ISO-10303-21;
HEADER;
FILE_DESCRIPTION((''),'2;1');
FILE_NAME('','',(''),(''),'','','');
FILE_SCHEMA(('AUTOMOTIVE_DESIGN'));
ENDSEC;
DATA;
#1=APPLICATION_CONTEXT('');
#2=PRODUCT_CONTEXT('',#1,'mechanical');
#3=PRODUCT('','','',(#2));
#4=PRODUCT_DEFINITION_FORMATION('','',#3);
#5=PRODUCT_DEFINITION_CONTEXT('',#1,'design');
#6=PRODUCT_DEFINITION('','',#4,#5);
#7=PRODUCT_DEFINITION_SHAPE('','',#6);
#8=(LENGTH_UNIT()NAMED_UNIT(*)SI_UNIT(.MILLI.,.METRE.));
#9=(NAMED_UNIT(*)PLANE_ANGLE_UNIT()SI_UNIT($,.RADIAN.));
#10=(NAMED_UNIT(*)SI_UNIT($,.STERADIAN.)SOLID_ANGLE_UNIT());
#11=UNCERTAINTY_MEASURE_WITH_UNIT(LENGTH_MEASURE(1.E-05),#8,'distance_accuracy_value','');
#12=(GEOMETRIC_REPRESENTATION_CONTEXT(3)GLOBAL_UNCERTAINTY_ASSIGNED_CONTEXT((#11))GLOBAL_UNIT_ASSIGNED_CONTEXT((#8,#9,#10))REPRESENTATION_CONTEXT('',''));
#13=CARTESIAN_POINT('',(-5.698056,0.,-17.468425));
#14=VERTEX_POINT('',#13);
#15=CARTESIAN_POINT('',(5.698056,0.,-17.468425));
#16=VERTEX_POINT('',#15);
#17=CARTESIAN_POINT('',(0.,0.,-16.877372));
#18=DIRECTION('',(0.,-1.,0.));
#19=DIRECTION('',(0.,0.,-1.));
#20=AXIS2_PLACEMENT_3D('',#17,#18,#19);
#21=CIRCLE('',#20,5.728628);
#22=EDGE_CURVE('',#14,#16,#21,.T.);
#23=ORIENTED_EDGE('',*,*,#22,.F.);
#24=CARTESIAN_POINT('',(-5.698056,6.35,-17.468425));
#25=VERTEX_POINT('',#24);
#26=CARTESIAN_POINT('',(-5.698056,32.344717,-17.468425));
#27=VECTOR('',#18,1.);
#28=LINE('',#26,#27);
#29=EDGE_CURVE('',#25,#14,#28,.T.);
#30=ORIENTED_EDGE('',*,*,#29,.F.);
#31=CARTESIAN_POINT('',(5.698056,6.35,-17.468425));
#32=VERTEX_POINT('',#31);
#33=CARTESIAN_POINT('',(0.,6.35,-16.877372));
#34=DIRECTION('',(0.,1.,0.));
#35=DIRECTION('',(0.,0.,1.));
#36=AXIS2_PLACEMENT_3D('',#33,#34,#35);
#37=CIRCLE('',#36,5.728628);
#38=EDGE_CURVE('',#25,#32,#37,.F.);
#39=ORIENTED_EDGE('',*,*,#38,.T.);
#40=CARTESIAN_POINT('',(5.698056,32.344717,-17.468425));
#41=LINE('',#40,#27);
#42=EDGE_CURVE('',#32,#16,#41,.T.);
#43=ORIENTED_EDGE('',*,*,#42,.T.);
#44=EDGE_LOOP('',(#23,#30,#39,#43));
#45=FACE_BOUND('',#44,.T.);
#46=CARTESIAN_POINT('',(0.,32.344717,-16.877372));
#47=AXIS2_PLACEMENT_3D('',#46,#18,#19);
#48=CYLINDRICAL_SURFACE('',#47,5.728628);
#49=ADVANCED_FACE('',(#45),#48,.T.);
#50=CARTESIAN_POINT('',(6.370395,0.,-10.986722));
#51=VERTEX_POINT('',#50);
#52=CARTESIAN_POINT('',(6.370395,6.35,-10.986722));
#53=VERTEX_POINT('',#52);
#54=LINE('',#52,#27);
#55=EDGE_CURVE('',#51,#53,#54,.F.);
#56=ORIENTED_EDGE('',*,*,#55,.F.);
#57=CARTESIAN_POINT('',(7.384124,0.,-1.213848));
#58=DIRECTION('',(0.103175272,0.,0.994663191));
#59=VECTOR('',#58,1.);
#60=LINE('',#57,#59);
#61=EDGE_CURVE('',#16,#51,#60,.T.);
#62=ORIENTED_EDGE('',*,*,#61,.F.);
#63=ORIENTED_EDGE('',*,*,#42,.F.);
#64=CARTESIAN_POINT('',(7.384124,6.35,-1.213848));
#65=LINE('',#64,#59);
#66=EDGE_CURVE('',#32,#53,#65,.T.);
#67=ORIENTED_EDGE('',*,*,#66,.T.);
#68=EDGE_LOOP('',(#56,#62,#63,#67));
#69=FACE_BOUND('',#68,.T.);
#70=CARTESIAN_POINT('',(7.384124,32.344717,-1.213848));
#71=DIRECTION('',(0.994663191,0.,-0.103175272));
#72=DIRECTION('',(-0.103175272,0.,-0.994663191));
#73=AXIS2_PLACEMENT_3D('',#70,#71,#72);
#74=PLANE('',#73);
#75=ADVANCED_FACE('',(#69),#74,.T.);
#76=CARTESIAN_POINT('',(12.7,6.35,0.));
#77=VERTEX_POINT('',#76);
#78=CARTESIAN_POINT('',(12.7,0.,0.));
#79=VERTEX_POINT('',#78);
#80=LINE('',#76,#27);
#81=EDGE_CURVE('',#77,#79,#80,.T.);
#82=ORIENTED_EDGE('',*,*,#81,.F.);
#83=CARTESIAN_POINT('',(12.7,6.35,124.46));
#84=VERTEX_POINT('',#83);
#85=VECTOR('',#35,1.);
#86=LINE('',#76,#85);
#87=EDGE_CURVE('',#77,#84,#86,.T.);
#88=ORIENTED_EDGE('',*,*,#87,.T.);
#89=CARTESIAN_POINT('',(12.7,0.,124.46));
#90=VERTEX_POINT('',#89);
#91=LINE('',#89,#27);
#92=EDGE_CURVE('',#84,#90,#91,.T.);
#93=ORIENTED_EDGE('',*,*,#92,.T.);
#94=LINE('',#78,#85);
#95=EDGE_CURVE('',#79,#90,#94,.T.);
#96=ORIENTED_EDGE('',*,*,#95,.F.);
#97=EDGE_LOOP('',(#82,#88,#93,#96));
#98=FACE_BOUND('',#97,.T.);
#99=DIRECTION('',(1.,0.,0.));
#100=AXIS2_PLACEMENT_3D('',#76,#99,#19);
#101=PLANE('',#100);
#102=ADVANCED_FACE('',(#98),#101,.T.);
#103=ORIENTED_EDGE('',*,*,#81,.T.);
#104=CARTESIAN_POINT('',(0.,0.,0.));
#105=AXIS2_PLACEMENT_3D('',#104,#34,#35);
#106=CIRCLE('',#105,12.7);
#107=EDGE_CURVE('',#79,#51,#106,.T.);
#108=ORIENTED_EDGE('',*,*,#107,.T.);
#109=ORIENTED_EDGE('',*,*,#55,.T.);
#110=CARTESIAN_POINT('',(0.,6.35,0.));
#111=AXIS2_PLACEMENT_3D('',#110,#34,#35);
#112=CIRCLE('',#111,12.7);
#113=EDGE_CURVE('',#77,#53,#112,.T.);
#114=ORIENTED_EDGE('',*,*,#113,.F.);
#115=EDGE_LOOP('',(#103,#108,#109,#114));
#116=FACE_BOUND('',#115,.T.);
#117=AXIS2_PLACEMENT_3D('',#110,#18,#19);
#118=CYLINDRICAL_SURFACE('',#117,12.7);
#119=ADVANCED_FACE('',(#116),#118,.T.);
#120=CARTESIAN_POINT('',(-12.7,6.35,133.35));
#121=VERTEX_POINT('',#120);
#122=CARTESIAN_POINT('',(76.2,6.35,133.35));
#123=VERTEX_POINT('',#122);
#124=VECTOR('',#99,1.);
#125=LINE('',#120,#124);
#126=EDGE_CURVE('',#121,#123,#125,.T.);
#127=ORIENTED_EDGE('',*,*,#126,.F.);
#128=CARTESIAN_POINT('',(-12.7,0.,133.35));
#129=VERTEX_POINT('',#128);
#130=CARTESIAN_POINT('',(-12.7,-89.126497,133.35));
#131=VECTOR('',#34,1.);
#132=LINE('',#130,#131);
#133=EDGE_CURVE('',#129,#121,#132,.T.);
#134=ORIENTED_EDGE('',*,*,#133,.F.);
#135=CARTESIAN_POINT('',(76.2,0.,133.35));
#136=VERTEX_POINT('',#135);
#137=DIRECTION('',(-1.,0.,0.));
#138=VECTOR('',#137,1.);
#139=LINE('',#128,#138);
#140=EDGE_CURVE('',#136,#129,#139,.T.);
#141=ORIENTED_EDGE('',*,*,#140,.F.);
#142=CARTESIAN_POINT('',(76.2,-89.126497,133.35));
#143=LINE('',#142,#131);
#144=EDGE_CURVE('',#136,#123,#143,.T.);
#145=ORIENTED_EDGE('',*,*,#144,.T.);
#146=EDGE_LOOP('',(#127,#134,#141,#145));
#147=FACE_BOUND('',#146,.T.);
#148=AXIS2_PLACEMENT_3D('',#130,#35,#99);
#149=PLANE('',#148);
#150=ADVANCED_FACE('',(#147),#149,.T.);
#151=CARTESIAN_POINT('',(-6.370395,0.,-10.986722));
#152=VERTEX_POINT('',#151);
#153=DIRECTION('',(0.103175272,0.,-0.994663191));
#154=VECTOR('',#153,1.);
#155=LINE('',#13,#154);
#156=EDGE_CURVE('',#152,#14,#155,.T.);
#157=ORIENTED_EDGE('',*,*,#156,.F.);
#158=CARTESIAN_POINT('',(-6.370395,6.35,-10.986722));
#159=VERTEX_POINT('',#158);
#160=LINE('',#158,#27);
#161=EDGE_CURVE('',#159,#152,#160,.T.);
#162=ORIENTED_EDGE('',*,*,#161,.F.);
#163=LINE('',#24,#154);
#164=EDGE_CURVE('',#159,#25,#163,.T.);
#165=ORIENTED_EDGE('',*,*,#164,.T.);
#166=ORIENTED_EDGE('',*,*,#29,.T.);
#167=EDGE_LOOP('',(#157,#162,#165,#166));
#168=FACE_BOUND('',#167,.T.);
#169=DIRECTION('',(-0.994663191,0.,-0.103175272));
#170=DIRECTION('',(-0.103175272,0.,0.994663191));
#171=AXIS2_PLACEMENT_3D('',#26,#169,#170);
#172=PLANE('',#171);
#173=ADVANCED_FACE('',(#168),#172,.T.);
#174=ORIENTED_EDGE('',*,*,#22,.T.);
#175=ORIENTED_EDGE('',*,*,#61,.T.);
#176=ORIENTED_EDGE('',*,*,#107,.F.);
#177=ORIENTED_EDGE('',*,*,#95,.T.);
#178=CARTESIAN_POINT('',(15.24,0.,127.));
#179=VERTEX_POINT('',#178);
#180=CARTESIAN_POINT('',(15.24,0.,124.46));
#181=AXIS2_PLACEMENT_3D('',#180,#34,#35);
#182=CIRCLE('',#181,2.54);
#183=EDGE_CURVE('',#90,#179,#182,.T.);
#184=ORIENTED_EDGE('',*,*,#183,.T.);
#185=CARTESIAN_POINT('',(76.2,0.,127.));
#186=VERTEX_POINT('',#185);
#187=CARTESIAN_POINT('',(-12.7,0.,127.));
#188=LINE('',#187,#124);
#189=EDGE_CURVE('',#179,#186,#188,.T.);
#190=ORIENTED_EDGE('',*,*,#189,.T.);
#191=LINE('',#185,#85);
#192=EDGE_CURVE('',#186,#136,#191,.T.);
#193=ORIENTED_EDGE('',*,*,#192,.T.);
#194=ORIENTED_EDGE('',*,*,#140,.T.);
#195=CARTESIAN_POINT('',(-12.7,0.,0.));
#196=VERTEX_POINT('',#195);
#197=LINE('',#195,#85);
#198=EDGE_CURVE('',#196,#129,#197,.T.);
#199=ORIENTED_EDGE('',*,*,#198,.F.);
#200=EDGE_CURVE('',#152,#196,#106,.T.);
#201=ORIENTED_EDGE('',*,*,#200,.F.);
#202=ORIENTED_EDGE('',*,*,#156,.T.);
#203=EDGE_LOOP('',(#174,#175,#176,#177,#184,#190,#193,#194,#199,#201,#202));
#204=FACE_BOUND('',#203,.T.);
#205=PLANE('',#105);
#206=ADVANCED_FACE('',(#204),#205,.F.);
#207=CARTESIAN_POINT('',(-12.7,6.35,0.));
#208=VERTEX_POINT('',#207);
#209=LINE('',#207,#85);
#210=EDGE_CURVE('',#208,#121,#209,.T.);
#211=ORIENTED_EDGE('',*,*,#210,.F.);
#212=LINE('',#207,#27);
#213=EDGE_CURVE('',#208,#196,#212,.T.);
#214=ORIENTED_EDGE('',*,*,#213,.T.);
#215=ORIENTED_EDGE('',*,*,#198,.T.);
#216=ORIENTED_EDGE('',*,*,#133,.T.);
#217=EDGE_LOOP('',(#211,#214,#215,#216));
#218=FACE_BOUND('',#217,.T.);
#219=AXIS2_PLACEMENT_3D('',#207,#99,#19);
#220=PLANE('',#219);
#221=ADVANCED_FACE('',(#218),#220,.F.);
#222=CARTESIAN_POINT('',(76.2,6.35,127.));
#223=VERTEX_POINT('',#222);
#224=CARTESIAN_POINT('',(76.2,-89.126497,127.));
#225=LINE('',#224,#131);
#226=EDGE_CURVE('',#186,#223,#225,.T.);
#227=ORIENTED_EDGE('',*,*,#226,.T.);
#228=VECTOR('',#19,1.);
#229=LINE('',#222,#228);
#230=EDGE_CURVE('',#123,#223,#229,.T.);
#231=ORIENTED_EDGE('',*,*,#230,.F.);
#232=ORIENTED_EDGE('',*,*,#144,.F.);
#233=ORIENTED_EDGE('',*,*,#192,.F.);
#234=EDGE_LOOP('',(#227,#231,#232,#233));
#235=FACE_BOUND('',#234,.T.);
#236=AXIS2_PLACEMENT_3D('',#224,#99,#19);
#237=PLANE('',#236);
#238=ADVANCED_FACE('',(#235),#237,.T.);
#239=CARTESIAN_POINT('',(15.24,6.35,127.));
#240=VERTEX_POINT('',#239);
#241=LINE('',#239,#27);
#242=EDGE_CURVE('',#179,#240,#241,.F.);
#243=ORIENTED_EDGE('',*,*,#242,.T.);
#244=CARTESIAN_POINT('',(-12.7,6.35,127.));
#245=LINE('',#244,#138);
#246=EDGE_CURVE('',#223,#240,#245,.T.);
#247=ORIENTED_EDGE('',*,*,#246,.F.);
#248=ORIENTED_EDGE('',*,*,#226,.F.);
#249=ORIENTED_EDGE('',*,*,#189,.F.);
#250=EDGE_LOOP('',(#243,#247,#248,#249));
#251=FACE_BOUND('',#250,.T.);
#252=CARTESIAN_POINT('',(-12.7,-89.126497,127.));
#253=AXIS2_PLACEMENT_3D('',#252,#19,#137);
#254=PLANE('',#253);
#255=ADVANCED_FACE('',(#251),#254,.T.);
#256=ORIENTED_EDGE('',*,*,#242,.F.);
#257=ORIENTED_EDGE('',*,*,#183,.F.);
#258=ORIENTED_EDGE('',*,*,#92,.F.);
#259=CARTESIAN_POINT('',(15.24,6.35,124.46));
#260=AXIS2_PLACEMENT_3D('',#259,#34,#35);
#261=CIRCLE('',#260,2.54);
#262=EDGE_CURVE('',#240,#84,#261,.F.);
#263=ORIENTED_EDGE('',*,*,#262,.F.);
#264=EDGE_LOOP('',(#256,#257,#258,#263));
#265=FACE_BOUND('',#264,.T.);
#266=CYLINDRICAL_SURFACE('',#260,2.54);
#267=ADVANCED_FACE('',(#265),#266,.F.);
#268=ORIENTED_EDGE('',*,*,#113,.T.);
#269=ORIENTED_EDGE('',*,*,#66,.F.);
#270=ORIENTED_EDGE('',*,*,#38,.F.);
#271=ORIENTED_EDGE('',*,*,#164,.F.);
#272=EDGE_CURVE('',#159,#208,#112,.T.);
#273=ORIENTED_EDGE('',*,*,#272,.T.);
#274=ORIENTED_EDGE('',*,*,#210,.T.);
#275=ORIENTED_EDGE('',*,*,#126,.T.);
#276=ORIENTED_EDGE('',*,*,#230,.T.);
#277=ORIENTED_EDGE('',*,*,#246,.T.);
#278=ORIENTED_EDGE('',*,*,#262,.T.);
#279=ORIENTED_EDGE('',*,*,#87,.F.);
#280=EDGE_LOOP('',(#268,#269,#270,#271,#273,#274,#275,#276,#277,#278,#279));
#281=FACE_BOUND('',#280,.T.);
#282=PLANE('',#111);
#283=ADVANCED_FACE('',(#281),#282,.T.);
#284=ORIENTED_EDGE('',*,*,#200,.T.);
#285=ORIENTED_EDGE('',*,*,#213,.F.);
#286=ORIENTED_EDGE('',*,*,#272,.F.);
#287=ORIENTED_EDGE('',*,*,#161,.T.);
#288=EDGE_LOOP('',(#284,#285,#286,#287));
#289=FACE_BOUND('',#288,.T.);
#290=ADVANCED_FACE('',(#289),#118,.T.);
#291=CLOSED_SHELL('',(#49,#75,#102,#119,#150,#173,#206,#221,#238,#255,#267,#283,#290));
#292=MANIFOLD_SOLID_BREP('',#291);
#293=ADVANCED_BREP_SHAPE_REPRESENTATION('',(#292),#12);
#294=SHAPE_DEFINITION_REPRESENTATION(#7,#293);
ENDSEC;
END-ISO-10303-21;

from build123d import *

# Parameters (mm, degrees)
BOSS_EXTRUDE1_DEPTH = 6.35
SKETCH2_W           = 88.9
SKETCH2_H           = 6.35
BOSS_EXTRUDE2_DEPTH = 6.35
FILLET1_R           = 2.54
BOSS_EXTRUDE3_DEPTH = 6.35


with BuildPart() as part:
    # Sketch1 → Boss-Extrude1 (new body)
    with BuildSketch(Plane(origin=(0, 0, 0), x_dir=(1, 0, 0), z_dir=(0, 1, 0))):
        with BuildLine():
            ThreePointArc((12.7, 0), (0, -12.7), (-12.7, 0))
            Line((-12.7, 0), (-12.7, -127))
            Line((-12.7, -127), (12.7, -127))
            Line((12.7, -127), (12.7, 0))
        make_face()
        with BuildLine():
            ThreePointArc((12.7, 0), (0, 12.7), (-12.7, 0))
            Line((-12.7, 0), (12.7, 0))
        make_face()
        with BuildLine():
            Line((12.7, 0), (-12.7, 0))
            ThreePointArc((-12.7, 0), (0, -12.7), (12.7, 0))
        make_face()
    extrude(amount=BOSS_EXTRUDE1_DEPTH)

    # Sketch2 → Boss-Extrude2 (add)
    with BuildSketch(Plane(origin=(0, 6.35, 0), x_dir=(1, 0, 0), z_dir=(0, 1, 0))):
        with Locations((31.75, -130.175)):
            Rectangle(SKETCH2_W, SKETCH2_H)
    extrude(amount=-BOSS_EXTRUDE2_DEPTH)

    # Fillet1
    fillet1_edges = [part.edges().sort_by_distance(p)[0] for p in [
        (12.7, 3.175, 127),
    ]]
    fillet(fillet1_edges, radius=FILLET1_R)

    # Sketch3 → Boss-Extrude3 (add)
    with BuildSketch(Plane(origin=(0, 0, 0), x_dir=(-1, 0, 0), z_dir=(0, -1, 0))):
        with BuildLine():
            Line((-7.384124229, 1.213847931), (7.384124229, 1.213847931))
            Line((7.384124229, 1.213847931), (5.698055631, 17.468424552))
            ThreePointArc((5.698055631, 17.468424552), (0, 22.606), (-5.698055631, 17.468424552))
            Line((-5.698055631, 17.468424552), (-7.384124229, 1.213847931))
        make_face()
    extrude(amount=-BOSS_EXTRUDE3_DEPTH)


solid = part.part
